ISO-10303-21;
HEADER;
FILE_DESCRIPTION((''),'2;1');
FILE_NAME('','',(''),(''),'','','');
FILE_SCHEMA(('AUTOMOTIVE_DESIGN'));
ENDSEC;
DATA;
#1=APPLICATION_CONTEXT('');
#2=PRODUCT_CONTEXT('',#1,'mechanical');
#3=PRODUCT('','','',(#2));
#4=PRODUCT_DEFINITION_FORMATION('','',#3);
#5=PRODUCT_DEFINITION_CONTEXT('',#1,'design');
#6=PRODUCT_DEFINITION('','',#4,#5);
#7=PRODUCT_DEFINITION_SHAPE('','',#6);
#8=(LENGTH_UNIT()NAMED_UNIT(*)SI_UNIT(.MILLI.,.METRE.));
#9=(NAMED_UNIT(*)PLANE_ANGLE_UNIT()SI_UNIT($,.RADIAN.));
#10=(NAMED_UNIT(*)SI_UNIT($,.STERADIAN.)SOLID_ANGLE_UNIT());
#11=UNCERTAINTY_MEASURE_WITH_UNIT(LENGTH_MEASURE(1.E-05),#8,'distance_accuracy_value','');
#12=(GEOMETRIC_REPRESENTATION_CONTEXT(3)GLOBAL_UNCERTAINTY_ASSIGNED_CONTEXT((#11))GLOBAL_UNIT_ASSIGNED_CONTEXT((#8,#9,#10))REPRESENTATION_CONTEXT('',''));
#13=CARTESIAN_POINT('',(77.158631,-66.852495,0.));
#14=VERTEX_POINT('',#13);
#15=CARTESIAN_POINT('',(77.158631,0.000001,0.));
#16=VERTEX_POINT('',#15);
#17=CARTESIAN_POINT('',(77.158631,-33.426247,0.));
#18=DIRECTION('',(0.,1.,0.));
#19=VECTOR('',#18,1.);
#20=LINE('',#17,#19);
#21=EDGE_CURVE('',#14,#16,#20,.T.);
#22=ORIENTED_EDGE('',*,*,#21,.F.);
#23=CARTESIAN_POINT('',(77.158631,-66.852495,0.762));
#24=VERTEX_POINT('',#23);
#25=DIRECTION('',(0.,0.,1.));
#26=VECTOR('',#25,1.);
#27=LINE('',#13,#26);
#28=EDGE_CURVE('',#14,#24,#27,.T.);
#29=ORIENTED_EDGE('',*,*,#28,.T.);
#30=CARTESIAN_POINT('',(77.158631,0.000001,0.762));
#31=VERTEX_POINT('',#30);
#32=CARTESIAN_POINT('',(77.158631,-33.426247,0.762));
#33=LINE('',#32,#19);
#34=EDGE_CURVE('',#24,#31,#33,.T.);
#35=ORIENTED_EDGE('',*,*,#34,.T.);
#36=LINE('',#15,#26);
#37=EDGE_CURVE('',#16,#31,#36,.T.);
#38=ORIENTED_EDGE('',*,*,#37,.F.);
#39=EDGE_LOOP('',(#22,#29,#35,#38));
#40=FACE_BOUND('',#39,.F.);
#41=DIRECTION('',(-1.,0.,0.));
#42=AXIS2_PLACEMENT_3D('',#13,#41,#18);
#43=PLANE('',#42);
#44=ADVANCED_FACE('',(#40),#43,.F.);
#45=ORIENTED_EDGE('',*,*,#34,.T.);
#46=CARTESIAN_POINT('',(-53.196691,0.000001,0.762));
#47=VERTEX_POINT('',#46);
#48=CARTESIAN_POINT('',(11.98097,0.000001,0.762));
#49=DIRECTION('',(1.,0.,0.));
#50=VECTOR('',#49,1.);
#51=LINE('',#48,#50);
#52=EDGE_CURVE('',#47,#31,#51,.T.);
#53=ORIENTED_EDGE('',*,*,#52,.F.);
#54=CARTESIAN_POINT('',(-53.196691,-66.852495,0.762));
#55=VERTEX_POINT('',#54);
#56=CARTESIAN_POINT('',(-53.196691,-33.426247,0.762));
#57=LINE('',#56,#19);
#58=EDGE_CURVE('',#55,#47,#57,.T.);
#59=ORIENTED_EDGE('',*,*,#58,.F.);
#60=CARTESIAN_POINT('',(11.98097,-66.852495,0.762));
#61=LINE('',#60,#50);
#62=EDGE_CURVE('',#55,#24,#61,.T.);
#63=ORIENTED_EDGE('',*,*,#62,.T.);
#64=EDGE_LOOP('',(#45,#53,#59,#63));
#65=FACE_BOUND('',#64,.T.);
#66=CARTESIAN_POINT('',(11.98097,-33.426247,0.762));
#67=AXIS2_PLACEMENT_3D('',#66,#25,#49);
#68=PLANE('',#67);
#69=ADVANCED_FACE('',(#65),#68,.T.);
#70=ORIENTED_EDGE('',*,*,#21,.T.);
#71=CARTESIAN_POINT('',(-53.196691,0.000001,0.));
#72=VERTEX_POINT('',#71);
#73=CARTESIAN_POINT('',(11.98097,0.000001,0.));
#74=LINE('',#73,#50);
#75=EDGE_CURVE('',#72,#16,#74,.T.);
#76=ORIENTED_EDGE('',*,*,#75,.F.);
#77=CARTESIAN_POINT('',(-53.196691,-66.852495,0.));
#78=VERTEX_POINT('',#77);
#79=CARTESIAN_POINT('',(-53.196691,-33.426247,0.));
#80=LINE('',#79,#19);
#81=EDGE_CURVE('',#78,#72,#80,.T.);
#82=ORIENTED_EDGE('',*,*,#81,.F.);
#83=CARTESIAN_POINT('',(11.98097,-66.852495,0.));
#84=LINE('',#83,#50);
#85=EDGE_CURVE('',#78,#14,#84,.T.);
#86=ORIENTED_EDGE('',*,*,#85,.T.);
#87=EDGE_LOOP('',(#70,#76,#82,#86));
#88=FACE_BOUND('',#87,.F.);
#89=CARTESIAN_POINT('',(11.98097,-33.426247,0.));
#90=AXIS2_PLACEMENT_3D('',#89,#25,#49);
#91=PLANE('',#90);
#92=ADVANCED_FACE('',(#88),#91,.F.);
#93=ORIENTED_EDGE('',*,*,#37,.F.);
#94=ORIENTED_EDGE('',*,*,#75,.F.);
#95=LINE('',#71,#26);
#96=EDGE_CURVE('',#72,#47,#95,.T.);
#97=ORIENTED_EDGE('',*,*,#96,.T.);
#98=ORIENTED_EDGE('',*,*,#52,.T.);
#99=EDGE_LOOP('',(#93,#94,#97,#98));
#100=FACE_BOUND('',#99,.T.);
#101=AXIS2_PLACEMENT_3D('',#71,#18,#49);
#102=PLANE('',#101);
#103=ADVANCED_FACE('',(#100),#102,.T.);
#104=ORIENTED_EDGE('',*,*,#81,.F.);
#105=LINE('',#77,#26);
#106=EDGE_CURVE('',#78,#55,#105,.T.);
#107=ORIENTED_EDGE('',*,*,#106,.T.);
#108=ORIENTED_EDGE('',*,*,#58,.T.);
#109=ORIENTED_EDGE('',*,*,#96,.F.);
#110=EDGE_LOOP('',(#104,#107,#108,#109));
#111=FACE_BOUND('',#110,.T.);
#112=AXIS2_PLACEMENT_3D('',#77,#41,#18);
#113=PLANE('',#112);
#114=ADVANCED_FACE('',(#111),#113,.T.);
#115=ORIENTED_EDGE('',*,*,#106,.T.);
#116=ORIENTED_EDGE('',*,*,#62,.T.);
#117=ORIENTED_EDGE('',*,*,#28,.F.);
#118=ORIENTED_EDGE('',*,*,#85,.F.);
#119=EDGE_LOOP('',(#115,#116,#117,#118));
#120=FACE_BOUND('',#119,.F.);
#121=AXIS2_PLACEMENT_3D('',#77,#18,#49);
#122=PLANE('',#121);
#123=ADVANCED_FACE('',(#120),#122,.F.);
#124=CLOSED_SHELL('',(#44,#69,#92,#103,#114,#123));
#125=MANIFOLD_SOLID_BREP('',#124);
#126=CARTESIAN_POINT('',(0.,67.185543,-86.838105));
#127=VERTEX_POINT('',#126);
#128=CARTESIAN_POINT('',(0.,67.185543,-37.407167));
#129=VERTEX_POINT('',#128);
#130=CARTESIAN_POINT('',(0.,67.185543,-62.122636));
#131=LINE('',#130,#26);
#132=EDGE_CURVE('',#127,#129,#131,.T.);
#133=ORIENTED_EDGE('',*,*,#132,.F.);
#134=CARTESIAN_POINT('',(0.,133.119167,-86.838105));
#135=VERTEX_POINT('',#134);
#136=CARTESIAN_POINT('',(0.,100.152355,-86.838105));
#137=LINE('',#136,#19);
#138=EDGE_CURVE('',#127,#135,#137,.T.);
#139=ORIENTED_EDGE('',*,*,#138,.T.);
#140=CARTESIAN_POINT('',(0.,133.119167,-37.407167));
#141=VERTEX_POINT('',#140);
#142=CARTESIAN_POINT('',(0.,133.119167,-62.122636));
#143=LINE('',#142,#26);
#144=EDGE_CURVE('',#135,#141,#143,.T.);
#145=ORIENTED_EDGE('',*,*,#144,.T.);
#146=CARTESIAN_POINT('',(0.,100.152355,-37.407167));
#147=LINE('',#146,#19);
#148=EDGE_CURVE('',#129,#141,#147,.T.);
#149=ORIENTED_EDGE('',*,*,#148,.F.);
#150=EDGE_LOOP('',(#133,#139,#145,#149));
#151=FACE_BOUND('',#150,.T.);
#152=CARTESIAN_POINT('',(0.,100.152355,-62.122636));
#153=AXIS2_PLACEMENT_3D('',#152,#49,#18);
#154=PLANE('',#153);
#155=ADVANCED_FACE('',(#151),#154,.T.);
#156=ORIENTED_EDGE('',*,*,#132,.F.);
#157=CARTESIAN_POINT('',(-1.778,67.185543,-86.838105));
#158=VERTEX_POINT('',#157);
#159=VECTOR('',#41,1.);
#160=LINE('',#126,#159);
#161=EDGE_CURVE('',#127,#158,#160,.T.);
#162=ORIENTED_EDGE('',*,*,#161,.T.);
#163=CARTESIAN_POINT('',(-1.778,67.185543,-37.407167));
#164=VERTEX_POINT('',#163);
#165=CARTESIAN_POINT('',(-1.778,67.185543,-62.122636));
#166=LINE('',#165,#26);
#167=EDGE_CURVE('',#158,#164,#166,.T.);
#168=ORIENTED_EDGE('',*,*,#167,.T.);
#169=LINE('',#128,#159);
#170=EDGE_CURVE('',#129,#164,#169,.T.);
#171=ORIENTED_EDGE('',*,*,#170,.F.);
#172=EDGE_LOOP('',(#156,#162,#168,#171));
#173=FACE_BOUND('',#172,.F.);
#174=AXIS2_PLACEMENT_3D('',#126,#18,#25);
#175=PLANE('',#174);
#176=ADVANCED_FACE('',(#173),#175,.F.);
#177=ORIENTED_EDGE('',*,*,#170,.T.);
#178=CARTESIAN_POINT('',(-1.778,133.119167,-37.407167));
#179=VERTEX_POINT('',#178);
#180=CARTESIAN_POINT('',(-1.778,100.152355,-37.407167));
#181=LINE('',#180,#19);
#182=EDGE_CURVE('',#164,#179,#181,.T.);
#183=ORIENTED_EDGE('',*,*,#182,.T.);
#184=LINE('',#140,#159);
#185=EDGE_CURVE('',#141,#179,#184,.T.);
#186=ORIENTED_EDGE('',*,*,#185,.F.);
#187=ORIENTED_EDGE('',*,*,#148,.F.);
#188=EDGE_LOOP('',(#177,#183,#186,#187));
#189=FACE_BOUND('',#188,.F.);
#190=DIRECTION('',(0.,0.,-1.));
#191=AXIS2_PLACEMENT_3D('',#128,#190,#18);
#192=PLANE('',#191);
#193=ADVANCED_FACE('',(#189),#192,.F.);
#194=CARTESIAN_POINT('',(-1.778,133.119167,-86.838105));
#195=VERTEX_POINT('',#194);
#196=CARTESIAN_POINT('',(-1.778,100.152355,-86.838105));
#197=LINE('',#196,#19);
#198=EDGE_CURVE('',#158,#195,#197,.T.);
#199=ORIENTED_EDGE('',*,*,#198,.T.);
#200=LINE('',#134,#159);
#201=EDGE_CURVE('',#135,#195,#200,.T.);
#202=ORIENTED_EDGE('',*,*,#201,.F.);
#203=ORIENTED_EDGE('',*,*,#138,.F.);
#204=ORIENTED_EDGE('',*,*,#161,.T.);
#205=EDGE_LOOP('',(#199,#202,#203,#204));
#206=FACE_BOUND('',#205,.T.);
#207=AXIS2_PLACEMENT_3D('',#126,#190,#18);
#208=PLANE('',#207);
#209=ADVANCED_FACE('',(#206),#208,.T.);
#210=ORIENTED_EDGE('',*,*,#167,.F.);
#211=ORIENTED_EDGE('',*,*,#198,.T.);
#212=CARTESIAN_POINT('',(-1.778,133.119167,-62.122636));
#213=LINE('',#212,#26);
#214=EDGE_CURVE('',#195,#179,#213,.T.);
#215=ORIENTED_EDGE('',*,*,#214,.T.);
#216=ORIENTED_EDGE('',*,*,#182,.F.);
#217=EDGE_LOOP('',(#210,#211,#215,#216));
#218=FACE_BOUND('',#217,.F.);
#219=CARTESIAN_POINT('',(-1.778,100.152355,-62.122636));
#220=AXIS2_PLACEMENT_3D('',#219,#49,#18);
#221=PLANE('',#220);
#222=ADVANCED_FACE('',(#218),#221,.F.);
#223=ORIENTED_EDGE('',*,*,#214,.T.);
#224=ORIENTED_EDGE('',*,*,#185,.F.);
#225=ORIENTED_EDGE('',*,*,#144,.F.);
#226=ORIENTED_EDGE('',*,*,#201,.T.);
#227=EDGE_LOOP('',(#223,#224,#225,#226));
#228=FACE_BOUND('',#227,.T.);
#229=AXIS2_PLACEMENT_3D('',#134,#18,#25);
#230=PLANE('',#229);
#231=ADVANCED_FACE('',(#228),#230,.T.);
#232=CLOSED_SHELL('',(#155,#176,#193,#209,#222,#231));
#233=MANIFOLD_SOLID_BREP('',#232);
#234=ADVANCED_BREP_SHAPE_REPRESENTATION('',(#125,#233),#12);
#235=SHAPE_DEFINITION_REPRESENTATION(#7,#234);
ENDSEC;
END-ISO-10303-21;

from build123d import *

# Parameters (mm, degrees)
F0_W     = 130.355321
F0_H     = 66.852495
F1_DEPTH = 0.762
F2_W     = 65.933623
F2_H     = 49.430937
F3_DEPTH = 1.778


with BuildPart() as f1:
    # F0 (on Top) → F1 (new body)
    with BuildSketch(Plane.XY):
        with Locations((11.98097, -33.426247)):
            Rectangle(F0_W, F0_H)
    extrude(amount=F1_DEPTH)


with BuildPart() as f3:
    # F2 (on Right) → F3 (new body)
    with BuildSketch(Plane.YZ):
        with Locations((100.152355, -62.122636)):
            Rectangle(F2_W, F2_H)
    extrude(amount=-F3_DEPTH)


solid = Compound([f1.part, f3.part])
